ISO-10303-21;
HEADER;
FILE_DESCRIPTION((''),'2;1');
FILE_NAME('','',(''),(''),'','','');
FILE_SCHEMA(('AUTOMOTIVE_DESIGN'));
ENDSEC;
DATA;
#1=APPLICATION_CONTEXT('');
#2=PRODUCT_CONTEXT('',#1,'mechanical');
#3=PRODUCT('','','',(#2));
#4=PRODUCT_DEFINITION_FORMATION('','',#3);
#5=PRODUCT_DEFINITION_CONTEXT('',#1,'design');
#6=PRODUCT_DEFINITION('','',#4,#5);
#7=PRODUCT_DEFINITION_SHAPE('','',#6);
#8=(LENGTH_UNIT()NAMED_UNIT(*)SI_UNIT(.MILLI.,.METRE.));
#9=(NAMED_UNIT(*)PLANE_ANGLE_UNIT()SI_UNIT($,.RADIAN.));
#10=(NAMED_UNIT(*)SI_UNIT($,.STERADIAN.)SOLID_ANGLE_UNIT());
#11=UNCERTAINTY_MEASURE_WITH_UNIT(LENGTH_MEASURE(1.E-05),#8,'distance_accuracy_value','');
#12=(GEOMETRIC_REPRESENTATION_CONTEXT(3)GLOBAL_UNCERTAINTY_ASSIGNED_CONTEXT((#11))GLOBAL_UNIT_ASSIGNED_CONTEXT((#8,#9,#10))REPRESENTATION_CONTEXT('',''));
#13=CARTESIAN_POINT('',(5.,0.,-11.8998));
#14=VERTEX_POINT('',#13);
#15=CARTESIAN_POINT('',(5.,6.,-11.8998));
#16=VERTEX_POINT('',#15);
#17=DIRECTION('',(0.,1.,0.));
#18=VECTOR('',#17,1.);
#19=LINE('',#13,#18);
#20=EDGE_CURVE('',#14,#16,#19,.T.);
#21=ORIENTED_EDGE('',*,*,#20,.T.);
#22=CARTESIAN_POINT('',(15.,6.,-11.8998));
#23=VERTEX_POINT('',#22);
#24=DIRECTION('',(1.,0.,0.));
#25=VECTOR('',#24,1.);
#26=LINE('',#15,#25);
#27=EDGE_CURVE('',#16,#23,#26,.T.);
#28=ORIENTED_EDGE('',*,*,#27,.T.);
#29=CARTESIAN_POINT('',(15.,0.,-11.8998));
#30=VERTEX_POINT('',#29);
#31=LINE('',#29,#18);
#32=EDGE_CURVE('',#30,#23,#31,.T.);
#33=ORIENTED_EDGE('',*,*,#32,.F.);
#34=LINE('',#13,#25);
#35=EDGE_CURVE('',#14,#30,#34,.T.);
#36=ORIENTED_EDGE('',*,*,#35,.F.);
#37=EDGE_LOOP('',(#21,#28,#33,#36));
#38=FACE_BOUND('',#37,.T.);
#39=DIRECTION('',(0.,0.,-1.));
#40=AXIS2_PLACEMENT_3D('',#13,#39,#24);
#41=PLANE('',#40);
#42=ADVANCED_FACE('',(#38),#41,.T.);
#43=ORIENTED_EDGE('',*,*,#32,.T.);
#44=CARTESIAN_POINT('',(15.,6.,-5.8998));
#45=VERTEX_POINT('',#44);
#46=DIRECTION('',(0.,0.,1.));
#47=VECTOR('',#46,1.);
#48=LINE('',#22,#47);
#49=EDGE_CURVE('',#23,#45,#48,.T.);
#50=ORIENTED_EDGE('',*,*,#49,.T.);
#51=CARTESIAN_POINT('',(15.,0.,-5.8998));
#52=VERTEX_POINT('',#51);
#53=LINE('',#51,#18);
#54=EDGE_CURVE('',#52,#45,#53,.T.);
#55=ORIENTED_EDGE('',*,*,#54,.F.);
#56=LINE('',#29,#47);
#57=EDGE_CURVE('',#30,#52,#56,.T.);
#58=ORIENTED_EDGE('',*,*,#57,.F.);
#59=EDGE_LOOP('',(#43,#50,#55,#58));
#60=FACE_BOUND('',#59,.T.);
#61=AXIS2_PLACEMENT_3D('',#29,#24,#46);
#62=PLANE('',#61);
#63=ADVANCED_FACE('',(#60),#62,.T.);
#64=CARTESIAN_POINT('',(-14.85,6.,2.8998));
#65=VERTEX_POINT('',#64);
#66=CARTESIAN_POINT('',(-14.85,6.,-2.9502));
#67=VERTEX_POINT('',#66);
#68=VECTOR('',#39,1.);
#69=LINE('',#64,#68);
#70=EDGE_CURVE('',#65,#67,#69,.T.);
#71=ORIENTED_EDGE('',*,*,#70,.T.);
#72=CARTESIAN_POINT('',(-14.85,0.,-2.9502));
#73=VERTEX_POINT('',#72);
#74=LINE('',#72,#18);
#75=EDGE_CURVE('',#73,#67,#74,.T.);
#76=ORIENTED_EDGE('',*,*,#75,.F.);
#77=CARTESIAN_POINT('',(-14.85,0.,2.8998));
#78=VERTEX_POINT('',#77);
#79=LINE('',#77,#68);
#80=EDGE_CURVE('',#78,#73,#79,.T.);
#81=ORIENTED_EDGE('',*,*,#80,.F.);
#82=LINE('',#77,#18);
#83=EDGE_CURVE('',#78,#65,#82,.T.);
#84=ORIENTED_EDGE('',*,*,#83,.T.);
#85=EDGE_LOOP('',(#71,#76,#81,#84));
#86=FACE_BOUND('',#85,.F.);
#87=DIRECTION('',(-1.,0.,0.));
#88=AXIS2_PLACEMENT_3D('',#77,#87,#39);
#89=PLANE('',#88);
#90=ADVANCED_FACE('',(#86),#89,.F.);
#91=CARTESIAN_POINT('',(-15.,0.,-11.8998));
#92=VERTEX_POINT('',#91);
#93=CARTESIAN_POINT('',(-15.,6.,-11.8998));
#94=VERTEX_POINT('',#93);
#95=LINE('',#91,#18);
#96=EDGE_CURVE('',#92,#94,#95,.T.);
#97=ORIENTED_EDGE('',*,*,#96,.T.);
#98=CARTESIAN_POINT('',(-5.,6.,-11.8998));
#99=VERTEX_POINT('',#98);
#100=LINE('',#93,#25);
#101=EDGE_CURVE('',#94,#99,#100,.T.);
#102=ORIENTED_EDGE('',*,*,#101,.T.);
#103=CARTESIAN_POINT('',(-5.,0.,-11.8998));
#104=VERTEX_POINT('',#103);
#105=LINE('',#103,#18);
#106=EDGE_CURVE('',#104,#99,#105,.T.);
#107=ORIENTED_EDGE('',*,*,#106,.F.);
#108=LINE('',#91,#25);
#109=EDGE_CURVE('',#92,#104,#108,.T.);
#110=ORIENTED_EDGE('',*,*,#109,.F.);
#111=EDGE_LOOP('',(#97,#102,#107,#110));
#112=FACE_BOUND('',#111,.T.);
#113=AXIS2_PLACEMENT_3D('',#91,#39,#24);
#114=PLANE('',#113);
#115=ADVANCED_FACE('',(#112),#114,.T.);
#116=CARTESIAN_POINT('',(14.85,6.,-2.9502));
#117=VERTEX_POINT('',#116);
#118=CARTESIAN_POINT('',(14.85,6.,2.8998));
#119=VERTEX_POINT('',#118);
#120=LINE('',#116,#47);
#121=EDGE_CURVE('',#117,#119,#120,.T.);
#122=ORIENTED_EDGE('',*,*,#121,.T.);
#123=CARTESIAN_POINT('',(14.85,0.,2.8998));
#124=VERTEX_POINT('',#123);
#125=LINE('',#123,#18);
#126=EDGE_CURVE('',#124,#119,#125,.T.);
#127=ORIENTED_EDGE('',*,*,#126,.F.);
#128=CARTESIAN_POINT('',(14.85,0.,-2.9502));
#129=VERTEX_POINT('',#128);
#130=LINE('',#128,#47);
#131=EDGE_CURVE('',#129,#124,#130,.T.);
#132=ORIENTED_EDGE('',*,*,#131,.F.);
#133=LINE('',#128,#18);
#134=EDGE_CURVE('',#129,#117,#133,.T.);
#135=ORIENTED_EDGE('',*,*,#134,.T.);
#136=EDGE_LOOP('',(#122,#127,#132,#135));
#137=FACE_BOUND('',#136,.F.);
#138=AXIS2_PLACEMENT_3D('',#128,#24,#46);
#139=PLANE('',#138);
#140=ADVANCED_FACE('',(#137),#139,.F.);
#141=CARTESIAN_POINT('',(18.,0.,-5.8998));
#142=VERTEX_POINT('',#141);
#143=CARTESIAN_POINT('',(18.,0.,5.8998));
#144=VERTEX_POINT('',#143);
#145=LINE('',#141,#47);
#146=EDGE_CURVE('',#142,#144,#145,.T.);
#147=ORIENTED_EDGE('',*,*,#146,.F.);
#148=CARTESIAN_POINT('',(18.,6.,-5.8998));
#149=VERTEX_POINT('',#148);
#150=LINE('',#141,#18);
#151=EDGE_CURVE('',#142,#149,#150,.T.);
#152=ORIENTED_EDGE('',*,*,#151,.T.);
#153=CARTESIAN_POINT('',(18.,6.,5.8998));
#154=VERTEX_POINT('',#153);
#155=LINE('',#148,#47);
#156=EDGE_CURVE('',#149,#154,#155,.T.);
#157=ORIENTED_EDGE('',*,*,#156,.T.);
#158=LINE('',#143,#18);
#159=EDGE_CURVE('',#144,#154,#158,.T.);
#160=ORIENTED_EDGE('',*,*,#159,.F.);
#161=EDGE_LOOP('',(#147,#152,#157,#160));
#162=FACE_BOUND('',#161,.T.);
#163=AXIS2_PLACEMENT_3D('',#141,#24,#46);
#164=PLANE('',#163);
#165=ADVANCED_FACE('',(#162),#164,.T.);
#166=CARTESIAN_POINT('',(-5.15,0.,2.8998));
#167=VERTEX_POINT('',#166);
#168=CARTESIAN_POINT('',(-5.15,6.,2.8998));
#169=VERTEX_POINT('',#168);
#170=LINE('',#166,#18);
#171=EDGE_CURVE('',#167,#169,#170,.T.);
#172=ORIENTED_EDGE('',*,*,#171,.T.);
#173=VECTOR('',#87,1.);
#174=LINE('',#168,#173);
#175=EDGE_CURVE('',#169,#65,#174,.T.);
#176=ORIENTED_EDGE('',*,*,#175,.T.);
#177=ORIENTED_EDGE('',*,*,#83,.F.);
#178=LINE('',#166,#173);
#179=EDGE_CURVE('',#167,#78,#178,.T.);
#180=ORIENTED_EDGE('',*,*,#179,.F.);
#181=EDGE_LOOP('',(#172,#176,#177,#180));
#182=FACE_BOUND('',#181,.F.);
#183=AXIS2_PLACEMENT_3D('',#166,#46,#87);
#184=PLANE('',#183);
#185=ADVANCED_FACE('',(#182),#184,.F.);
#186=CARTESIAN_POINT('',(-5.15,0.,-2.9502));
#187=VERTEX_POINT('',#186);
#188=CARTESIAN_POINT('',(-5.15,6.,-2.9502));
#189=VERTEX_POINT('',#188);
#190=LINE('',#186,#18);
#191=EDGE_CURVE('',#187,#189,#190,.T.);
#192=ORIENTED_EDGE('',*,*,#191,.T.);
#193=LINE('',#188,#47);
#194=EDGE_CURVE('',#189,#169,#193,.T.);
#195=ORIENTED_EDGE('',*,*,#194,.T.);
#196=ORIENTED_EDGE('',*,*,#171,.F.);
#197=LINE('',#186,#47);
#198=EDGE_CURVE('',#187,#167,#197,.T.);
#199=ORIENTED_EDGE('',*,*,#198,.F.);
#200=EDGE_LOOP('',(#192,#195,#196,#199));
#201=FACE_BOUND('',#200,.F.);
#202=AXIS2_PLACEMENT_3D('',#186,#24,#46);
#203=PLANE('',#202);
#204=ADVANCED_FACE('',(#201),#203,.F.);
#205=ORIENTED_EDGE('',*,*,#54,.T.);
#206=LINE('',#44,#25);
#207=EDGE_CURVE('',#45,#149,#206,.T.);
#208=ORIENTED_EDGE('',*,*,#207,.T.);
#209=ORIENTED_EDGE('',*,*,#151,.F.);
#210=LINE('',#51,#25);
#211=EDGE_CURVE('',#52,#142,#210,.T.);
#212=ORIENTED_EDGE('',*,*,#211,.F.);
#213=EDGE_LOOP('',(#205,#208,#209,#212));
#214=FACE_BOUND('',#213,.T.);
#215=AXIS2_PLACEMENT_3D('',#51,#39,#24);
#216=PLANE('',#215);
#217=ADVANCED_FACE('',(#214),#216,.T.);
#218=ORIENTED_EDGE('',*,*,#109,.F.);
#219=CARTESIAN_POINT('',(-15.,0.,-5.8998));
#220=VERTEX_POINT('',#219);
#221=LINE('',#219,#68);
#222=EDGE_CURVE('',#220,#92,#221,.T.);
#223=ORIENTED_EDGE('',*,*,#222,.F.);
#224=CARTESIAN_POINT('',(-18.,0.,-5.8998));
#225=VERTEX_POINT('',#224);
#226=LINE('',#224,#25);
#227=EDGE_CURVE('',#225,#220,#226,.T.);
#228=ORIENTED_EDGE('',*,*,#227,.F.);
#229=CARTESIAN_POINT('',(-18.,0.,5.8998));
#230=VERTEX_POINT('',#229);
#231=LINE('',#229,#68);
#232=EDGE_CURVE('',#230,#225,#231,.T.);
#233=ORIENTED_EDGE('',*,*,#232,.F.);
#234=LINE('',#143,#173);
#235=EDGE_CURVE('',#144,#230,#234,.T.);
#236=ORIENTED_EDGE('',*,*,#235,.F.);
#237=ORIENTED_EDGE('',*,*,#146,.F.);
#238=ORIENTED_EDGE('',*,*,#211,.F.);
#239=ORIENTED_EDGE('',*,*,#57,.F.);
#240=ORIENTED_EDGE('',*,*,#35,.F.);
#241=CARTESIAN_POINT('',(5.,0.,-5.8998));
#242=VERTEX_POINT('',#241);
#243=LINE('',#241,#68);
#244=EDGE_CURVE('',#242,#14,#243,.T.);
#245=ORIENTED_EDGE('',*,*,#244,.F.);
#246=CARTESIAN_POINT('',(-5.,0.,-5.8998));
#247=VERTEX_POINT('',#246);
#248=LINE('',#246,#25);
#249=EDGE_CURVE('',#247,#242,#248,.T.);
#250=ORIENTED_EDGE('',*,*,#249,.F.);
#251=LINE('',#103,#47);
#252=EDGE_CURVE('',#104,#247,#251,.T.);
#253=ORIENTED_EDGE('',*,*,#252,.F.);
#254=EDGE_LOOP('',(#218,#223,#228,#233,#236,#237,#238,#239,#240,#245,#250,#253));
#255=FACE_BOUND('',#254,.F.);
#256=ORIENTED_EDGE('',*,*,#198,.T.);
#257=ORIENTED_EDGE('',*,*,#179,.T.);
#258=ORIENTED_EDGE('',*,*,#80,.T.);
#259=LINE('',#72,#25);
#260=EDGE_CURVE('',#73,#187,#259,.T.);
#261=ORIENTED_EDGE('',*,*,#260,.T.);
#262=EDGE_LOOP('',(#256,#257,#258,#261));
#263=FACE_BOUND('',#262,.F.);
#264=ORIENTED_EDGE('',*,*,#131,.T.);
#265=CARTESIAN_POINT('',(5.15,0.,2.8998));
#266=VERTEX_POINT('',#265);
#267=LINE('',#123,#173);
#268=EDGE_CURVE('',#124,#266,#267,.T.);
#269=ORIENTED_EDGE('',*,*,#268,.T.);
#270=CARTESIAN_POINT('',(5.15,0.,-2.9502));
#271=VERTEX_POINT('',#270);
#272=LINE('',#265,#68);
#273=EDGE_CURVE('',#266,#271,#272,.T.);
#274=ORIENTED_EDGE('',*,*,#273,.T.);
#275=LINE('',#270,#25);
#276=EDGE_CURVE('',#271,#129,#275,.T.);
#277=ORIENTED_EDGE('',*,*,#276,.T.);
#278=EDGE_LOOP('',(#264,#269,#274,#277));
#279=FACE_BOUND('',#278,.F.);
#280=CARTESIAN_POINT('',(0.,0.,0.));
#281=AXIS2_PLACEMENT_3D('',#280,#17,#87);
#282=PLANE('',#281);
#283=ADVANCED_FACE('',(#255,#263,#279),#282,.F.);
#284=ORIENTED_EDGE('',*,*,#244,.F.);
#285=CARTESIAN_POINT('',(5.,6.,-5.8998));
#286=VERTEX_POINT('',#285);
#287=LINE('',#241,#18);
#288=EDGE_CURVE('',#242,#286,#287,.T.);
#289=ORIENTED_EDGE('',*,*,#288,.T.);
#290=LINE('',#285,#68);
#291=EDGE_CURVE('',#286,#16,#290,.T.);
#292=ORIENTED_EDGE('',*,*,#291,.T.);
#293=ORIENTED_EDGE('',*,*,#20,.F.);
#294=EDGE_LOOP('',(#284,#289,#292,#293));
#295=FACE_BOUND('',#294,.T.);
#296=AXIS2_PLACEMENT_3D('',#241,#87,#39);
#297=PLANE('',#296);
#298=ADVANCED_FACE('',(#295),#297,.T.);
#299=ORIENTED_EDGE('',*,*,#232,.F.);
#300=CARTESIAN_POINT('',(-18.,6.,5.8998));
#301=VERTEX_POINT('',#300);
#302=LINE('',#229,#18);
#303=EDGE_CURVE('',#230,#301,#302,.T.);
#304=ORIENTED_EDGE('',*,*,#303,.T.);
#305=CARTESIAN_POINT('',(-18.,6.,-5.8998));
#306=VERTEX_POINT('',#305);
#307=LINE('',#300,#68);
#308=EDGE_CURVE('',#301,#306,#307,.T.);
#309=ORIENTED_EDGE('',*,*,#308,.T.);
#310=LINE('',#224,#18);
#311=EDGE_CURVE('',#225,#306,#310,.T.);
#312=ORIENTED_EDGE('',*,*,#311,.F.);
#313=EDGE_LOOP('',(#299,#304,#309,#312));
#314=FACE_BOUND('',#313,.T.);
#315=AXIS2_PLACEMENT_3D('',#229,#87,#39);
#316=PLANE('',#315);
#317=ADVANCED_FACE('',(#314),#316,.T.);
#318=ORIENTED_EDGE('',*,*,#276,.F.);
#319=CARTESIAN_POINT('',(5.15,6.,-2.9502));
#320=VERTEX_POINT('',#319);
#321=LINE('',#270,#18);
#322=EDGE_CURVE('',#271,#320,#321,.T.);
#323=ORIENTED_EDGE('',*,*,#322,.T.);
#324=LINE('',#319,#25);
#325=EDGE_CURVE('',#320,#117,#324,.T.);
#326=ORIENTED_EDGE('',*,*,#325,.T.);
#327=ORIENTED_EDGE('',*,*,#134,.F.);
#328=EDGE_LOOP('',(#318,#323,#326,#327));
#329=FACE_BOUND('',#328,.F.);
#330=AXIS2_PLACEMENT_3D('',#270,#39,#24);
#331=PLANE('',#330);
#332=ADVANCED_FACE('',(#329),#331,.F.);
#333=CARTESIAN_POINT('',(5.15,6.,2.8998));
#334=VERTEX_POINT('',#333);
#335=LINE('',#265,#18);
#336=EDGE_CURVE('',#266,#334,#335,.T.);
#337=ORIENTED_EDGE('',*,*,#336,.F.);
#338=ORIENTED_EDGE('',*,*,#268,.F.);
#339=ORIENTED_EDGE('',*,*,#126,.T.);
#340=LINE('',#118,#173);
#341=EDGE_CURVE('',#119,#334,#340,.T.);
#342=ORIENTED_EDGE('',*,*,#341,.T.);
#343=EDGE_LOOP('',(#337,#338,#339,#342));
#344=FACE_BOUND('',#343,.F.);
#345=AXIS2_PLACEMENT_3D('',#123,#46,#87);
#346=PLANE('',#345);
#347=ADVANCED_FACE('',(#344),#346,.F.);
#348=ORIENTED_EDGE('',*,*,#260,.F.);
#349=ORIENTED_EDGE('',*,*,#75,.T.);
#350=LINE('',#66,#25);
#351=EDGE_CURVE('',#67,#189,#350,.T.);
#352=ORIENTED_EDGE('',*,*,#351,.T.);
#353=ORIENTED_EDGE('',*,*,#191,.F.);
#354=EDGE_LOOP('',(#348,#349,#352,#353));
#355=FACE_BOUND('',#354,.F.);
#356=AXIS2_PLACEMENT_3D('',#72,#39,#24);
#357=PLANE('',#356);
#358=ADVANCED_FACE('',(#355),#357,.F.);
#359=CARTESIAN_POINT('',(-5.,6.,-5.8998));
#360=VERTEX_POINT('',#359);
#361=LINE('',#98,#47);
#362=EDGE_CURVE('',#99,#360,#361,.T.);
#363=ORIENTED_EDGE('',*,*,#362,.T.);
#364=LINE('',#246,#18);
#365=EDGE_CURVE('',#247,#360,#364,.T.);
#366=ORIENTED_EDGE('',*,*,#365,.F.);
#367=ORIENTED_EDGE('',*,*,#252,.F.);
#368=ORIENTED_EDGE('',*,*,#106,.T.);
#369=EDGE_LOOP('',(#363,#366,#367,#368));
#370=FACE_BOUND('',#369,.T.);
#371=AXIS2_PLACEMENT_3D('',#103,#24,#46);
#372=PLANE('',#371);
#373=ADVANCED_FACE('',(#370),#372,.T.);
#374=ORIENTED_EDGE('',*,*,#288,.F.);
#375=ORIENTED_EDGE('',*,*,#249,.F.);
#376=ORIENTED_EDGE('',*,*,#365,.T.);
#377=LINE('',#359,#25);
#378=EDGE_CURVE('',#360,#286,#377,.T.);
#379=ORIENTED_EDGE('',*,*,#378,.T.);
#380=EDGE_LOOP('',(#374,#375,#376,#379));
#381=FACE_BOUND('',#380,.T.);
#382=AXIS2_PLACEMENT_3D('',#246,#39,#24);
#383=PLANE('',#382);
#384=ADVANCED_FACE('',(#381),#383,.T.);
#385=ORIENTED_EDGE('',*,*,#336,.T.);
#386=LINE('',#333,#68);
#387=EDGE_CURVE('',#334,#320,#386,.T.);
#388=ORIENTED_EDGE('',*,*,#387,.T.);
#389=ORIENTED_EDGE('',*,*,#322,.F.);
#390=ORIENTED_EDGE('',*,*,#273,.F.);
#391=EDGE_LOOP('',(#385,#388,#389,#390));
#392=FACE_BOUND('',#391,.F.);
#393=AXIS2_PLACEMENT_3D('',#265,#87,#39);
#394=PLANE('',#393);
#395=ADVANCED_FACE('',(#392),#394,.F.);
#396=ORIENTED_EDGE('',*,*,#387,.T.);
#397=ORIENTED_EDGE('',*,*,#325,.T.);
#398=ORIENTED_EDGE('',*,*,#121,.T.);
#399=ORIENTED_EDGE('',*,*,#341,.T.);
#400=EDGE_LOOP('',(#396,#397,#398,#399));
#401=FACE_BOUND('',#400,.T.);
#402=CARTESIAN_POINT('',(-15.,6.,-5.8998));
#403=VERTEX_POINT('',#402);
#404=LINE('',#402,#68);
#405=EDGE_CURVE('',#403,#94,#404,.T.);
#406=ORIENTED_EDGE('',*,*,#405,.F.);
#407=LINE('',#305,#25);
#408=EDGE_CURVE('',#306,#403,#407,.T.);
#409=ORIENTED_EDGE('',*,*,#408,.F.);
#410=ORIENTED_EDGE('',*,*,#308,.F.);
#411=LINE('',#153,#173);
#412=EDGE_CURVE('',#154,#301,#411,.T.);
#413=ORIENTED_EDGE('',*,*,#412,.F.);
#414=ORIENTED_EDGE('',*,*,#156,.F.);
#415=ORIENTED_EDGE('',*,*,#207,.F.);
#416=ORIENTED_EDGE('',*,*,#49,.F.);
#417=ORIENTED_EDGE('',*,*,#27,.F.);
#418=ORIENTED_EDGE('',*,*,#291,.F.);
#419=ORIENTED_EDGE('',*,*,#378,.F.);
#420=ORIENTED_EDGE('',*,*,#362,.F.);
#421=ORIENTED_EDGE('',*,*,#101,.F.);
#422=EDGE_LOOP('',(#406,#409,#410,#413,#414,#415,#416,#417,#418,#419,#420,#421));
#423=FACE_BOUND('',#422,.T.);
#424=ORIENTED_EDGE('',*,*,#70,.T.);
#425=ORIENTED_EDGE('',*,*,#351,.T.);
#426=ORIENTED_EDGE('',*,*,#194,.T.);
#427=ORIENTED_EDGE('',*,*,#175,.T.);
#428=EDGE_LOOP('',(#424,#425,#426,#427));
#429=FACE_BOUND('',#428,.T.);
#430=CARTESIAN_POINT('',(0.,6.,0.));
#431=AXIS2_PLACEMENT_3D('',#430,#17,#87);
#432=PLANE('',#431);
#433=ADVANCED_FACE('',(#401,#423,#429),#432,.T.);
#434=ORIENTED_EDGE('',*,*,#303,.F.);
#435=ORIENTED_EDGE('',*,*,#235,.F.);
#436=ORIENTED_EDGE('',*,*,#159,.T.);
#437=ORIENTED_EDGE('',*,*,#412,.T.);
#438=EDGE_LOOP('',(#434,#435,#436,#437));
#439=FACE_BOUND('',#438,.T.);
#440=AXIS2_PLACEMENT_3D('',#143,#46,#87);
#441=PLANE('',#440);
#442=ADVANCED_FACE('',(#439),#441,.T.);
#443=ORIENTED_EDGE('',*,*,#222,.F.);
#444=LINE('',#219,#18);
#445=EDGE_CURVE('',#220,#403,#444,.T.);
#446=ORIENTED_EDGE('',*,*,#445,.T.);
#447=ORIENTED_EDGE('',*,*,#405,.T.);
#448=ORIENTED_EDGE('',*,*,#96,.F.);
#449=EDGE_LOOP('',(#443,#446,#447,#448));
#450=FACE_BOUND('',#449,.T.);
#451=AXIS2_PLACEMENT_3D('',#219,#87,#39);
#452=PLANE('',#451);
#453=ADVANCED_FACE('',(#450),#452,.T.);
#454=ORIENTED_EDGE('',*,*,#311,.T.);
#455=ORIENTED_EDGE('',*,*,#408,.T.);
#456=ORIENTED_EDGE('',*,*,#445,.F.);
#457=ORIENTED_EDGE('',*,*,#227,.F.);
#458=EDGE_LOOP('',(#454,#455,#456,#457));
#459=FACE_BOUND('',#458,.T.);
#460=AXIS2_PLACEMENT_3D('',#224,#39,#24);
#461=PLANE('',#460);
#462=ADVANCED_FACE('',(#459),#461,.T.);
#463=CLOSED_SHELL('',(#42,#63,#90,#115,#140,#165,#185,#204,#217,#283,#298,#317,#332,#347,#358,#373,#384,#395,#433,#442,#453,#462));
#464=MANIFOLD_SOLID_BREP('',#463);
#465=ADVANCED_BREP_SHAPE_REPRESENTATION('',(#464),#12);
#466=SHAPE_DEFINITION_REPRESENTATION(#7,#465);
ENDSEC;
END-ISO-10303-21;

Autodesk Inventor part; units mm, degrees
ref_plane "YZ Plane" through (0, 0, 0) normal (1, 0, 0) x (0, 1, 0)
ref_plane "XZ Plane" through (0, 0, 0) normal (0, 1, 0) x (-1, 0, 0)
ref_plane "XY Plane" through (0, 0, 0) normal (0, 0, 1) x (1, 0, 0)
sketch "Sketch1" plane through (0, 0, 0) normal (0, 1, 0) x (-1, 0, 0)
  line L0 (-18, -5.8998) -> (-18, 5.8998)
  line L1 (-18, 5.8998) -> (18, 5.8998)
  line L2 (18, 5.8998) -> (18, -5.8998)
  line L3 (15, -11.8998) -> (5, -11.8998)
  line L4 (5, -11.8998) -> (5, -5.8998)
  line L5 (15, -5.8998) -> (15, -11.8998)
  line L6 (18, -5.8998) -> (15, -5.8998)
  line L7 (5, -5.8998) -> (-18, -5.8998) construction
  line L8 (-5, -11.8998) -> (-15, -11.8998)
  line L9 (-15, -11.8998) -> (-15, -5.8998)
  line L10 (-5, -5.8998) -> (-5, -11.8998)
  line L11 (5, -5.8998) -> (-5, -5.8998)
  line L12 (-15, -5.8998) -> (-18, -5.8998)
  line L13 (14.85, -2.9502) -> (5.15, -2.9502)
  line L14 (5.15, -2.9502) -> (5.15, 2.8998)
  line L15 (5.15, 2.8998) -> (14.85, 2.8998)
  line L16 (14.85, 2.8998) -> (14.85, -2.9502)
  line L17 (-5.15, 2.8998) -> (-5.15, -2.9502)
  line L18 (-5.15, -2.9502) -> (-14.85, -2.9502)
  line L19 (-14.85, -2.9502) -> (-14.85, 2.8998)
  line L20 (-14.85, 2.8998) -> (-5.15, 2.8998)
  line L21 (5.15, 2.8998) -> (-5.15, 2.8998) construction
  point P0 (0, 0)
  point P1 (18, 0)
  point P2 (0, -5.8998)
  point P3 (0, 5.8998)
  point P4 (0, 2.8998)
  dimension "d9" = 10
  dimension "d11" = 6
  dimension "d12" = 3
  dimension "d38" = 20
  dimension "d51" = 3
  dimension "d54" = 9.7
  dimension "d55" = 5.85
  dimension "d58" = 20
  dimension "d64" = 3
extrude "Extrusion1" add sketch "Sketch1" along normal blind 6
equation "\"d9\" = fingerW"
equation "\"d11\" = fingerH"
equation "\"d38\" = fingerSpacing"
equation "\"d54\" = fingerholeW"
equation "\"d55\" = fingerholeH"
equation "\"d58\" = fingerSpacing"
equation "\"d65\" = thickness"
equation "\"moduleWidth\" = 118"
equation "\"moduleHeight\" = 96"
equation "\"moduleMountD\" = 6.8"
equation "\"moduleCornerR\" = 5"
equation "\"d4\" = moduleCornerR"
equation "\"d5\" = moduleMountD"
equation "\"d6\" = moduleMountD"
equation "\"d8\" = moduleMountD"
equation "\"d10\" = moduleMountD"
equation "\"moduleOpeningR\" = 25"
equation "\"d13\" = moduleOpeningR"
equation "\"thickness\" = 6"
equation "\"d15\" = thickness"
equation "\"d16\" = 0"
equation "\"kerf\" = 0.15"
equation "\"fingerW\" = 10"
equation "\"fingerSpacing\" = 20"
equation "\"fingerholeW\" = fingerW - 2 * kerf"
equation "\"fingerholeH\" = thickness - kerf"
equation "\"moduleMountClearance\" = 19"
equation "\"actuatorW\" = 28"
equation "\"actuatorH\" = 40.8"
equation "\"openingMFC\" = 45"
equation "\"d28\" = thickness"
equation "\"d29\" = thickness"
equation "\"d30\" = 0.5 * actuatorH + thickness"
equation "\"d32\" = fingerholeH"
equation "\"d33\" = fingerholeW"
equation "\"d41\" = fingerholeH"
equation "\"d42\" = fingerholeW"
equation "\"supportSpacingFromMounting\" = 15"
equation "\"d52\" = 58.075"
equation "\"d53\" = 9.475"
equation "\"d0\" = moduleHeight"
equation "\"d1\" = moduleWidth"
equation "\"d17\" = openingMFC"
equation "\"d19\" = moduleMountClearance"
equation "\"d31\" = 15"
equation "\"supportXW\" = -2 * thickness + moduleMountW - 2 * supportSpacingFromMounting + kerf"
equation "\"chairThickness\" = 12.7"
equation "\"supportL\" = -chairThickness + dildoL + actuatorMountL - thickness"
equation "\"fingerH\" = thickness"
equation "\"d18\" = fingerH"
equation "\"d24\" = supportL"
equation "\"d44\" = thickness"
equation "\"d47\" = 0"
equation "\"moduleMountW\" = 100"
equation "\"dildoL\" = 170"
equation "\"actuatorMountL\" = 190"
properties part number "6mm-Laser-Kerf-Test"
